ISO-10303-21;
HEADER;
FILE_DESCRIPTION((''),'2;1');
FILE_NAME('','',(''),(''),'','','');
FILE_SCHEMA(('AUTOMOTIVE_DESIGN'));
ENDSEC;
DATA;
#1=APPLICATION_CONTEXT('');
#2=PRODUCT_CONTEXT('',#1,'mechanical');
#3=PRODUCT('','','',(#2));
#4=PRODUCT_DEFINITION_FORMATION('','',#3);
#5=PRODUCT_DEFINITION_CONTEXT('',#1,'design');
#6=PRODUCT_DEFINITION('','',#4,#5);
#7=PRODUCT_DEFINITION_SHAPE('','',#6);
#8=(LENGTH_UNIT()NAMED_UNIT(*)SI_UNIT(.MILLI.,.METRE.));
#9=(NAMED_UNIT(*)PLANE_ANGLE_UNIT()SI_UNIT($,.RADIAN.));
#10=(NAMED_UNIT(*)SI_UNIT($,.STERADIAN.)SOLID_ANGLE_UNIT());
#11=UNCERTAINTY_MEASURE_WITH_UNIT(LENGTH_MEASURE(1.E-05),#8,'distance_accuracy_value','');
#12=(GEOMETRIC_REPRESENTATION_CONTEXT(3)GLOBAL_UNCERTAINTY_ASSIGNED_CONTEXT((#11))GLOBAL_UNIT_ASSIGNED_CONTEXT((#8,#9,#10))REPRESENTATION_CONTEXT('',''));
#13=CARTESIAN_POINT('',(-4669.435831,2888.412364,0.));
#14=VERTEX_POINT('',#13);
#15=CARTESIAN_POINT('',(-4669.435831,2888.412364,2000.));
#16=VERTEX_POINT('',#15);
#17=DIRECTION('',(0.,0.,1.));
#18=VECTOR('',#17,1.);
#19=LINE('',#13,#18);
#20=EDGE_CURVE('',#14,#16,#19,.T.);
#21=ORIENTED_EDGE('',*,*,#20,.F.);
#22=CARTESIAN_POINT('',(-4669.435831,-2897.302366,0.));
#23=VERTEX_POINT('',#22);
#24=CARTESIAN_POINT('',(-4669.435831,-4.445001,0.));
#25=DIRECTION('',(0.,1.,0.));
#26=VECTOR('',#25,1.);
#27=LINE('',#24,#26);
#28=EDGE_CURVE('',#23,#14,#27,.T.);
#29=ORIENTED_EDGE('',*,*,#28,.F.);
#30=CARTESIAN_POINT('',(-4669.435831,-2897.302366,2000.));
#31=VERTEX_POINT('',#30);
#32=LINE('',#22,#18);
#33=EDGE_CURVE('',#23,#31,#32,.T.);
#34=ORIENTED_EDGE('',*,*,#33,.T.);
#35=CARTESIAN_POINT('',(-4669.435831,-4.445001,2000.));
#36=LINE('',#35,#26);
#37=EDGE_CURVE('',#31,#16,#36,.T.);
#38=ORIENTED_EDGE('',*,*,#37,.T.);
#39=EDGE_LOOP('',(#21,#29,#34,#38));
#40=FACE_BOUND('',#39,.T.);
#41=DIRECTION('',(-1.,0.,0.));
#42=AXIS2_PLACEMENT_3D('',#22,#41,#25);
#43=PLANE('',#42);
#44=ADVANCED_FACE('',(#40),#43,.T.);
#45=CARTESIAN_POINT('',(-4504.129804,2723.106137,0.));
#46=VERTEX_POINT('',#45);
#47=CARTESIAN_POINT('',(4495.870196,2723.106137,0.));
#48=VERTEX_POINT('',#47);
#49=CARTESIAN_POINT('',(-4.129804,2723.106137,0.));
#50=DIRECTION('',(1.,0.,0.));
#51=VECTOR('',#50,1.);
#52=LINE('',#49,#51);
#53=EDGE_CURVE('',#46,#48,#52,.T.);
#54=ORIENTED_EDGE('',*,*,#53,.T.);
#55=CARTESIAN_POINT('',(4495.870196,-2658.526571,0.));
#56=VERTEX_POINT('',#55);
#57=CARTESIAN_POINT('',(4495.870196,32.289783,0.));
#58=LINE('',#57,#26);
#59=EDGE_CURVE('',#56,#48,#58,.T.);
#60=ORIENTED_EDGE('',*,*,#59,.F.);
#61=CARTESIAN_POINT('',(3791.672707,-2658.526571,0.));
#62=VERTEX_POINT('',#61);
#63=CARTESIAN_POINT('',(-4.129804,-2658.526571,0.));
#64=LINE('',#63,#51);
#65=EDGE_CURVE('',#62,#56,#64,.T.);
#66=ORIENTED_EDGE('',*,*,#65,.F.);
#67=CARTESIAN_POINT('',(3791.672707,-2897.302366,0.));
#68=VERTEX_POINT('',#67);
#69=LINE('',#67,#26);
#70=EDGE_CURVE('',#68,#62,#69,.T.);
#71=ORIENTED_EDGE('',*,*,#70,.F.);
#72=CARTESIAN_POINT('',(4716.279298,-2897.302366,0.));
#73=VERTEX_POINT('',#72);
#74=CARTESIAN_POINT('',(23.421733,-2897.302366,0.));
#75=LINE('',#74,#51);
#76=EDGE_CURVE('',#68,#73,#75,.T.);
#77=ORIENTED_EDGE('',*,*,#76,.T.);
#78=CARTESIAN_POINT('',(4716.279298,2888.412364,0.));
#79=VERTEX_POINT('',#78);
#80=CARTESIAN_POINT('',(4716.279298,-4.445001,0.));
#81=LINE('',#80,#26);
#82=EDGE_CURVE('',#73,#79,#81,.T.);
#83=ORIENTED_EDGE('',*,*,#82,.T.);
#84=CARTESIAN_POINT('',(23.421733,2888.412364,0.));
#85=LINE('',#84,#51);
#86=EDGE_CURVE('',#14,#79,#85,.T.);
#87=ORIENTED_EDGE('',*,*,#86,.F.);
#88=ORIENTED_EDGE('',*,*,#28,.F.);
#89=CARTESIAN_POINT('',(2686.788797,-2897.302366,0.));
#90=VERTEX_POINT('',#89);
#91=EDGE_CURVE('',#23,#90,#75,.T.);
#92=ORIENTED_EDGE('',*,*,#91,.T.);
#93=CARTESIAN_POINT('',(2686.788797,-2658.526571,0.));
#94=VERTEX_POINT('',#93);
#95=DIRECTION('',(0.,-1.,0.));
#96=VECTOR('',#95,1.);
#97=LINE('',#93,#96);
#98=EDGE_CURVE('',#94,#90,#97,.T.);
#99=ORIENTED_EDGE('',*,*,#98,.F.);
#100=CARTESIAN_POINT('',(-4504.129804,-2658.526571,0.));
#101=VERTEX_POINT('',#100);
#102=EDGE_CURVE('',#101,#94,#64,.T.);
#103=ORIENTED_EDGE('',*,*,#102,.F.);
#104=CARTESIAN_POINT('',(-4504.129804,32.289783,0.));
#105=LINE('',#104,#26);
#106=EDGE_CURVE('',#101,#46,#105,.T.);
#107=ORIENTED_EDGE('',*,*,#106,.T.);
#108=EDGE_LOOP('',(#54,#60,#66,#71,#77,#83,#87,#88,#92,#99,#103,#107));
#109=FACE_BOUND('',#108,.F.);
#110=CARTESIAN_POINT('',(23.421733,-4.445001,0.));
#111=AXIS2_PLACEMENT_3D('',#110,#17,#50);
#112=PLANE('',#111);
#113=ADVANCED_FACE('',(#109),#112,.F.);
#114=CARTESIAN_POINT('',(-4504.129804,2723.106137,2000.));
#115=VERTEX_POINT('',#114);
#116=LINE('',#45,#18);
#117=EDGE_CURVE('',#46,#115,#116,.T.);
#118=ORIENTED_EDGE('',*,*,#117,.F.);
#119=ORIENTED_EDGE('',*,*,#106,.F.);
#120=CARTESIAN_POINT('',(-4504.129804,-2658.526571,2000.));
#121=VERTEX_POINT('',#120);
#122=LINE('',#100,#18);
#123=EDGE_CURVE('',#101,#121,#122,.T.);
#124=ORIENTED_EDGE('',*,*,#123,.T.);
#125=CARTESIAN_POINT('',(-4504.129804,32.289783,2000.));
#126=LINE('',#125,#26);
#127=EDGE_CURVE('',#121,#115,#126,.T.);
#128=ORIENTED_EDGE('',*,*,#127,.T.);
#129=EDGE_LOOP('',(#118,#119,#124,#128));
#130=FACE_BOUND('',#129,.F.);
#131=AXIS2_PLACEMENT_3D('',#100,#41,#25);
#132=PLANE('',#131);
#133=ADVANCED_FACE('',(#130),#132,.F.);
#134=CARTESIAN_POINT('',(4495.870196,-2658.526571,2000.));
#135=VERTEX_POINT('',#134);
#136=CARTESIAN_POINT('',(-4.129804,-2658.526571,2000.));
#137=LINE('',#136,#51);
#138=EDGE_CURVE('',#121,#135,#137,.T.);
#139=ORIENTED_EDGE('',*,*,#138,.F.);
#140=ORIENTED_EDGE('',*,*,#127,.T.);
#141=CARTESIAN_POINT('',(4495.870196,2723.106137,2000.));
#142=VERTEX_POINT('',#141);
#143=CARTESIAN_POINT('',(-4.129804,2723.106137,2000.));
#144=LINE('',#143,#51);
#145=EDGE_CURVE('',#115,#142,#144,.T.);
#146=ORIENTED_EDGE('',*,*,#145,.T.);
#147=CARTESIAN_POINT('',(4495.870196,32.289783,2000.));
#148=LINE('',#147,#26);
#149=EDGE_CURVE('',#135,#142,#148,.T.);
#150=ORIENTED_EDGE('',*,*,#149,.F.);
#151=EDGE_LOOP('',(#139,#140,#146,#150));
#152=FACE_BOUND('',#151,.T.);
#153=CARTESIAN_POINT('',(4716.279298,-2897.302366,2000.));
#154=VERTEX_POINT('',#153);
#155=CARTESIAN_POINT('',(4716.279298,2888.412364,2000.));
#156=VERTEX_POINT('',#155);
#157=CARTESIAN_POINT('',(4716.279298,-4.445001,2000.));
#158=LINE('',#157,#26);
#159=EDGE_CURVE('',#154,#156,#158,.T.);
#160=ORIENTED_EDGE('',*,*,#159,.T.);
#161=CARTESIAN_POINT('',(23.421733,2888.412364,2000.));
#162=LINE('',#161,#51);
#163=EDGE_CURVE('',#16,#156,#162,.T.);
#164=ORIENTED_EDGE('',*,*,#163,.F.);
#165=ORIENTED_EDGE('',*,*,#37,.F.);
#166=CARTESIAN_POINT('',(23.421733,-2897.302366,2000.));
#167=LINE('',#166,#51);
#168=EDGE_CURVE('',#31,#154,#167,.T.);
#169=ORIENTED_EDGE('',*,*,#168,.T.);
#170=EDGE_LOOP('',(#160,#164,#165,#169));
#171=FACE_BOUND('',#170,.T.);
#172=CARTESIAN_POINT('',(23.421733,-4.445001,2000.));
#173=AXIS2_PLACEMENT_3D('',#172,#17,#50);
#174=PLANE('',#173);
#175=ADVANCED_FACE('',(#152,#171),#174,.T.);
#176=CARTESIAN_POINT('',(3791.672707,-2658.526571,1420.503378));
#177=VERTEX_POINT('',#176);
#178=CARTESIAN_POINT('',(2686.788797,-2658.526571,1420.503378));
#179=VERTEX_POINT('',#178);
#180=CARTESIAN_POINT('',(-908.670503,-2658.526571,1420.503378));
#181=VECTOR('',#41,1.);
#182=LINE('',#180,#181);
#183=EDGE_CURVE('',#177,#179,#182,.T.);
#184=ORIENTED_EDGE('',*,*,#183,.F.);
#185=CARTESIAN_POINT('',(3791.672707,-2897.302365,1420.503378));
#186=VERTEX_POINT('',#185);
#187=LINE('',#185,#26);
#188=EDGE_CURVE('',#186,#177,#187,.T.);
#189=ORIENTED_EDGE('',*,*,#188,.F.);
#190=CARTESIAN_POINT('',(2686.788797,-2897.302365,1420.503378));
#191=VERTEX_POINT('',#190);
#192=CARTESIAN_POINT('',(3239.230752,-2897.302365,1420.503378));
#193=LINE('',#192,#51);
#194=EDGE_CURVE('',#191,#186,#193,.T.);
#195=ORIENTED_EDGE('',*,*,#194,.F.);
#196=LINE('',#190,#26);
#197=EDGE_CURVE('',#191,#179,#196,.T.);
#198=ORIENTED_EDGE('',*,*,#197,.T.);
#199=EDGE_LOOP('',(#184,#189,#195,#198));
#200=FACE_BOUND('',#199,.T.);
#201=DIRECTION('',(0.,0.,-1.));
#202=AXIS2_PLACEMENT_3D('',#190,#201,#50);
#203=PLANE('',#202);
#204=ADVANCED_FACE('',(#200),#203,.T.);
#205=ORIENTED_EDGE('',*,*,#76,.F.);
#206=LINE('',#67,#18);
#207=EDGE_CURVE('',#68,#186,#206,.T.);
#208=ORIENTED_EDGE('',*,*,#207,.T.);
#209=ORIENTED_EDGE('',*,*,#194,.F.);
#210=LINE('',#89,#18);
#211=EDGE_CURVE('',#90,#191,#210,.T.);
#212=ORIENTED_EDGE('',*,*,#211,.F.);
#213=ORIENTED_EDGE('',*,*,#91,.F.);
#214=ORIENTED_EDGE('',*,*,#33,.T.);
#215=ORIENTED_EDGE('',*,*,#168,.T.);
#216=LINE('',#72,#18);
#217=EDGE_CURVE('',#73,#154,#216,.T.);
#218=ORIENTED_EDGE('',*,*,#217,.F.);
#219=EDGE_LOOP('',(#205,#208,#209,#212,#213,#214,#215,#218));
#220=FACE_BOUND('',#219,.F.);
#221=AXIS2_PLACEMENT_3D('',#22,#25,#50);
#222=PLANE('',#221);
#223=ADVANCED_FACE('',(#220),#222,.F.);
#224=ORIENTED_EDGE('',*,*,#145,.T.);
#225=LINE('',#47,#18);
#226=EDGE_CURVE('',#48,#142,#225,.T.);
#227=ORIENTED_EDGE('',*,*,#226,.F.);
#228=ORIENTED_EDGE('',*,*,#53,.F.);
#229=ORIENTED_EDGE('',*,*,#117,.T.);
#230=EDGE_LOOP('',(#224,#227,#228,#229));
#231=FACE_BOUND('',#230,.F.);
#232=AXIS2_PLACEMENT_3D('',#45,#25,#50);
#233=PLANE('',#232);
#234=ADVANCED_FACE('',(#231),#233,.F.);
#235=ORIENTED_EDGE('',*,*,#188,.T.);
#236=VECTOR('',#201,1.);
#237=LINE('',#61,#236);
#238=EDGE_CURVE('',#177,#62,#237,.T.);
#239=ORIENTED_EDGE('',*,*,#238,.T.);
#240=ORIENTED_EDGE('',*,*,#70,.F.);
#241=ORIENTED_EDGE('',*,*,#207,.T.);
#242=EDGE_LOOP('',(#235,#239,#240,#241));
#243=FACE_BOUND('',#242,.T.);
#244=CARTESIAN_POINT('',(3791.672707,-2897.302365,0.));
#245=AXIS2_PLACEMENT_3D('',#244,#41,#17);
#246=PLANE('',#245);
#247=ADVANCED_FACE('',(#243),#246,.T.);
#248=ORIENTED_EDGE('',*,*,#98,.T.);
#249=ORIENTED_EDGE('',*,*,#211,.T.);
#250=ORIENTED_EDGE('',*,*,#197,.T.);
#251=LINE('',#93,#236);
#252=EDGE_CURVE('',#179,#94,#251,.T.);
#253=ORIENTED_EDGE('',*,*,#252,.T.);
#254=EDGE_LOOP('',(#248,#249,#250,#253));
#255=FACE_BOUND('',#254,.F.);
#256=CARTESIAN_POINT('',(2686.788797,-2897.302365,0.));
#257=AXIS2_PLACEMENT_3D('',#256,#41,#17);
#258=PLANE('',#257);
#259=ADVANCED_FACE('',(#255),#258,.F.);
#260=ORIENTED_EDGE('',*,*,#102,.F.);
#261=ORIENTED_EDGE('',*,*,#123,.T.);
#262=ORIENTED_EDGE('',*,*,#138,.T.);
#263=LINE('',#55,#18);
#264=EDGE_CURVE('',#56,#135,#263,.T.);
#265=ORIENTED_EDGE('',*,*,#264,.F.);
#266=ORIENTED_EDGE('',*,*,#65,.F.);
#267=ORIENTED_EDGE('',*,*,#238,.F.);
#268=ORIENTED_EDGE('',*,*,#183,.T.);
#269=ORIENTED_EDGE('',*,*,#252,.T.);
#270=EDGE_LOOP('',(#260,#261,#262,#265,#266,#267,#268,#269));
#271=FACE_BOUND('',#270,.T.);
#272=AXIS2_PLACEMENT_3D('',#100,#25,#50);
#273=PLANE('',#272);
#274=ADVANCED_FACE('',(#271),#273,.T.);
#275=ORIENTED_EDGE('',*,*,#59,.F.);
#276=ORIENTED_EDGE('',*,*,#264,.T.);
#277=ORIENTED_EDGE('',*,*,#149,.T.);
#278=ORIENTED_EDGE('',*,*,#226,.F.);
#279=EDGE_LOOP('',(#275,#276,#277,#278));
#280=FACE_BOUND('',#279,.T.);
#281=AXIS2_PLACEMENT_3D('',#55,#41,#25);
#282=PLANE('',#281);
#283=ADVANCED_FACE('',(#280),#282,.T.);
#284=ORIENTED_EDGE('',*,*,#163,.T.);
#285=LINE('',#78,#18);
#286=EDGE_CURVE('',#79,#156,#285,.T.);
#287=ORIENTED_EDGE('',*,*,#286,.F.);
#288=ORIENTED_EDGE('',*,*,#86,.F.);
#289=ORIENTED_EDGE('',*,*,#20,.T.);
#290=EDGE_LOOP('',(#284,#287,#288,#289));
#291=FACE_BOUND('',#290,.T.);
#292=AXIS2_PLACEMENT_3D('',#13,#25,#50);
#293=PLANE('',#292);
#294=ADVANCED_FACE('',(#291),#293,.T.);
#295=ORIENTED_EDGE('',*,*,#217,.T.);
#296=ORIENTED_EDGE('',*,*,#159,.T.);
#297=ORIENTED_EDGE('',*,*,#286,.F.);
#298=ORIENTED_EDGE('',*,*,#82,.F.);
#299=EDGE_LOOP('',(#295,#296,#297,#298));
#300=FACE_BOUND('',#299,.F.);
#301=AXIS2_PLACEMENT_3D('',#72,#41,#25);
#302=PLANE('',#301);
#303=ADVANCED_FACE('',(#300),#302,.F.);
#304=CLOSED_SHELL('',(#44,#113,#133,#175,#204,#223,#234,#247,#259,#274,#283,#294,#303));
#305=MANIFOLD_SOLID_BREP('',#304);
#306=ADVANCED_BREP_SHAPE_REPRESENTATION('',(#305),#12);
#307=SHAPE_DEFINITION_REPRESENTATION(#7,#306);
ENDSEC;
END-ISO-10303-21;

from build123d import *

# Parameters (mm, degrees)
F0_W     = 9385.715129
F0_H     = 5785.714729
F0_W_2   = 9000
F0_H_2   = 5381.632708
F1_DEPTH = 2000
F2_W     = 1104.88391
F2_H     = 1420.503378
F3_DEPTH = 25.4
F4_DEPTH = 1727.2


with BuildPart() as f1:
    # F0 (on Top) → F1 (new body)
    with BuildSketch(Plane.XY):
        with Locations((23.421733, -4.445001)):
            Rectangle(F0_W, F0_H)
        with Locations((-4.129804, 32.289783)):
            Rectangle(F0_W_2, F0_H_2, mode=Mode.SUBTRACT)
    extrude(amount=F1_DEPTH)

    # F2 (on face) → F3 (cut)
    with BuildSketch(Plane.XZ.offset(2897.302365)):
        with Locations((3239.230752, 710.251689)):
            Rectangle(F2_W, F2_H)
    extrude(amount=F3_DEPTH, mode=Mode.SUBTRACT)

    # F2 (on face) → F4 (cut)
    with BuildSketch(Plane.XZ.offset(2897.302365)):
        with Locations((3239.230752, 710.251689)):
            Rectangle(F2_W, F2_H)
    extrude(amount=-F4_DEPTH, mode=Mode.SUBTRACT)


solid = f1.part
